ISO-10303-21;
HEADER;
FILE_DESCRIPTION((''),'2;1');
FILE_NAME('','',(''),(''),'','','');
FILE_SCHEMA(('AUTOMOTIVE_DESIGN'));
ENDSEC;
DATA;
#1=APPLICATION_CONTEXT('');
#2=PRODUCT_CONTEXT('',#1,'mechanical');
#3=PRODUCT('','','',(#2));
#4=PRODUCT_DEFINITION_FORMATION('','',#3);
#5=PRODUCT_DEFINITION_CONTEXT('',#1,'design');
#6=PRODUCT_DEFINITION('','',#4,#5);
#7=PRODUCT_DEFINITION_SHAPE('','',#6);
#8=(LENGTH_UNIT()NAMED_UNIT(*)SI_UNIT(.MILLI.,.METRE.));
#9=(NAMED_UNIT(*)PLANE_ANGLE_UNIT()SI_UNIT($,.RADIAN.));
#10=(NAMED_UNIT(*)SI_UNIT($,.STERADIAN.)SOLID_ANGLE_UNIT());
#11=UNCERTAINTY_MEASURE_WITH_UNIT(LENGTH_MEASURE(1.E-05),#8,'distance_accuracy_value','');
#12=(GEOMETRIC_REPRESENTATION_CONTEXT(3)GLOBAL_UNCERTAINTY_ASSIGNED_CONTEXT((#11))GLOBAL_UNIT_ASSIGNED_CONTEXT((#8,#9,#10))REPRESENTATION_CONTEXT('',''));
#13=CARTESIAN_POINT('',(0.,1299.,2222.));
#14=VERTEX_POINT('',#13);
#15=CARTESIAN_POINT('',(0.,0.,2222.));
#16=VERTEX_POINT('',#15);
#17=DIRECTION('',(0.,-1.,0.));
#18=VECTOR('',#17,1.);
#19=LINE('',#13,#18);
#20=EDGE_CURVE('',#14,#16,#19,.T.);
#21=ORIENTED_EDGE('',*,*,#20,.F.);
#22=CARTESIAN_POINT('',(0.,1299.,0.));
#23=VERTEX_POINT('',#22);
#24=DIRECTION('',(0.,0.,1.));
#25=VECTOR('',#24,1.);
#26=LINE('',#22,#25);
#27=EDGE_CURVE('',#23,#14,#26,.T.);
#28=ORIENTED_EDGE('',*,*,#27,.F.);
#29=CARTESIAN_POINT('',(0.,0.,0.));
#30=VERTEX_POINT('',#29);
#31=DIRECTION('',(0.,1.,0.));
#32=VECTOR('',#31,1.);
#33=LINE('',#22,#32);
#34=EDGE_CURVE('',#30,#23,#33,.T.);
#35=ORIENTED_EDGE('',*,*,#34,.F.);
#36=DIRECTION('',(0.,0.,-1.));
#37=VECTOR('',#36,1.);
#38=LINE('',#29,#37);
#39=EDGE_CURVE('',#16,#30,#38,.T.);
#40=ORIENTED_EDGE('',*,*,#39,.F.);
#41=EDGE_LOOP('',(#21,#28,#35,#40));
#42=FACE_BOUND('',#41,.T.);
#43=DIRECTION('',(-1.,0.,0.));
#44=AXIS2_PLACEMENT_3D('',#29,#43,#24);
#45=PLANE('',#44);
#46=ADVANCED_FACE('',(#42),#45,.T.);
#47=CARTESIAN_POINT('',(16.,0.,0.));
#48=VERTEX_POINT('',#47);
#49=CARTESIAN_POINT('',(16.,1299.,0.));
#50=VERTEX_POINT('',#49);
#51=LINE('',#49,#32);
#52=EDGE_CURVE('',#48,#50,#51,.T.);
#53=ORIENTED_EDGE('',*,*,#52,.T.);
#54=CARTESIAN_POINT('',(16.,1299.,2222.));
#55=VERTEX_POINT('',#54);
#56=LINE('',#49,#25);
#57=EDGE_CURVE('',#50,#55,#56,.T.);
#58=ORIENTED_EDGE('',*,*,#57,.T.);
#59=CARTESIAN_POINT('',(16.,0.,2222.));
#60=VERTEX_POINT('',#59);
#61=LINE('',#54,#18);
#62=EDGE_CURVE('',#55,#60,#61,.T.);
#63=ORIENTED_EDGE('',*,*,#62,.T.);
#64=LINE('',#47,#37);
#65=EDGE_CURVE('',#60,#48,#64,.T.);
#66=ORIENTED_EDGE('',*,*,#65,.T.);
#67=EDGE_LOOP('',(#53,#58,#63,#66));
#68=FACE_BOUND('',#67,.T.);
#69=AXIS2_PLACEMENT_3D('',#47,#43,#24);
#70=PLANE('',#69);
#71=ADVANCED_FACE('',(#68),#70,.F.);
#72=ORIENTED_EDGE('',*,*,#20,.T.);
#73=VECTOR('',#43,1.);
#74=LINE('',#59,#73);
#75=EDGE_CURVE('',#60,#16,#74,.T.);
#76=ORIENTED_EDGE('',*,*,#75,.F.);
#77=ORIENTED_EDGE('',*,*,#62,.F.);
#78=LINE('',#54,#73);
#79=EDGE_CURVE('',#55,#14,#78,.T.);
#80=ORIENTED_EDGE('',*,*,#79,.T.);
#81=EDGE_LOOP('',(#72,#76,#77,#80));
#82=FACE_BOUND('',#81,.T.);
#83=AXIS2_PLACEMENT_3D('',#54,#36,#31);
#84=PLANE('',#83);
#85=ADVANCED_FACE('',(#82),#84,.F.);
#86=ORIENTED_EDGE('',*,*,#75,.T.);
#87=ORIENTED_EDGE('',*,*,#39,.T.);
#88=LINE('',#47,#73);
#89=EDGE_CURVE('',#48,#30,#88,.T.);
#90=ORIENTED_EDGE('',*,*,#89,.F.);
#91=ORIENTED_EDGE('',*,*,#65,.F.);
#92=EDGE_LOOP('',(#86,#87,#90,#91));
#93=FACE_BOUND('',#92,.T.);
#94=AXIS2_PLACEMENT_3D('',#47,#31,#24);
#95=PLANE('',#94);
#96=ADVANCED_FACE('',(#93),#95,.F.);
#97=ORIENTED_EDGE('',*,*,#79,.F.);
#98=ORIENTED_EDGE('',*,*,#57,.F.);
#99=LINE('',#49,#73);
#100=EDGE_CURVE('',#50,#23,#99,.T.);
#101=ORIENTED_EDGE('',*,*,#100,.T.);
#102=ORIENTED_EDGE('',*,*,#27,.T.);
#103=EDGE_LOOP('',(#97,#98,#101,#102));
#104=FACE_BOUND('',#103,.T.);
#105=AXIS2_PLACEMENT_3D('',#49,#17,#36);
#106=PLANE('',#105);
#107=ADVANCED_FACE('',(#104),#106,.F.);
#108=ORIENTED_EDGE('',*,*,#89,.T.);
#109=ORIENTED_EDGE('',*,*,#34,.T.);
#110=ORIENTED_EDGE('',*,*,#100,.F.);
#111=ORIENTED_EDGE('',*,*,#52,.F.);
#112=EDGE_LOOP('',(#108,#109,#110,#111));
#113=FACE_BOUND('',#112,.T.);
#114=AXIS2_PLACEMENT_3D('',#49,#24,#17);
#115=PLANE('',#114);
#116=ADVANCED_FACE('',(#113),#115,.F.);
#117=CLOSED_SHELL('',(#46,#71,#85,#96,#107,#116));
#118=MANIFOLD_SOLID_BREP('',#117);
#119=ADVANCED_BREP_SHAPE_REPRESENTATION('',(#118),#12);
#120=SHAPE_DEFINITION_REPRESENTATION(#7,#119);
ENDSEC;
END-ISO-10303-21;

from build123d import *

# Parameters (mm, degrees)
SKIZZE1_W                       = 2222
SKIZZE1_H                       = 1299
AUFSATZ_LINEAR_AUSTRAGEN1_DEPTH = 16


with BuildPart() as part:
    # Skizze1 → Aufsatz-Linear austragen1 (new body)
    with BuildSketch(Plane(origin=(0, 0, 0), x_dir=(0, 0, -1), z_dir=(1, 0, 0))):
        with Locations((-1111, 649.5)):
            Rectangle(SKIZZE1_W, SKIZZE1_H)
    extrude(amount=AUFSATZ_LINEAR_AUSTRAGEN1_DEPTH)


solid = part.part
